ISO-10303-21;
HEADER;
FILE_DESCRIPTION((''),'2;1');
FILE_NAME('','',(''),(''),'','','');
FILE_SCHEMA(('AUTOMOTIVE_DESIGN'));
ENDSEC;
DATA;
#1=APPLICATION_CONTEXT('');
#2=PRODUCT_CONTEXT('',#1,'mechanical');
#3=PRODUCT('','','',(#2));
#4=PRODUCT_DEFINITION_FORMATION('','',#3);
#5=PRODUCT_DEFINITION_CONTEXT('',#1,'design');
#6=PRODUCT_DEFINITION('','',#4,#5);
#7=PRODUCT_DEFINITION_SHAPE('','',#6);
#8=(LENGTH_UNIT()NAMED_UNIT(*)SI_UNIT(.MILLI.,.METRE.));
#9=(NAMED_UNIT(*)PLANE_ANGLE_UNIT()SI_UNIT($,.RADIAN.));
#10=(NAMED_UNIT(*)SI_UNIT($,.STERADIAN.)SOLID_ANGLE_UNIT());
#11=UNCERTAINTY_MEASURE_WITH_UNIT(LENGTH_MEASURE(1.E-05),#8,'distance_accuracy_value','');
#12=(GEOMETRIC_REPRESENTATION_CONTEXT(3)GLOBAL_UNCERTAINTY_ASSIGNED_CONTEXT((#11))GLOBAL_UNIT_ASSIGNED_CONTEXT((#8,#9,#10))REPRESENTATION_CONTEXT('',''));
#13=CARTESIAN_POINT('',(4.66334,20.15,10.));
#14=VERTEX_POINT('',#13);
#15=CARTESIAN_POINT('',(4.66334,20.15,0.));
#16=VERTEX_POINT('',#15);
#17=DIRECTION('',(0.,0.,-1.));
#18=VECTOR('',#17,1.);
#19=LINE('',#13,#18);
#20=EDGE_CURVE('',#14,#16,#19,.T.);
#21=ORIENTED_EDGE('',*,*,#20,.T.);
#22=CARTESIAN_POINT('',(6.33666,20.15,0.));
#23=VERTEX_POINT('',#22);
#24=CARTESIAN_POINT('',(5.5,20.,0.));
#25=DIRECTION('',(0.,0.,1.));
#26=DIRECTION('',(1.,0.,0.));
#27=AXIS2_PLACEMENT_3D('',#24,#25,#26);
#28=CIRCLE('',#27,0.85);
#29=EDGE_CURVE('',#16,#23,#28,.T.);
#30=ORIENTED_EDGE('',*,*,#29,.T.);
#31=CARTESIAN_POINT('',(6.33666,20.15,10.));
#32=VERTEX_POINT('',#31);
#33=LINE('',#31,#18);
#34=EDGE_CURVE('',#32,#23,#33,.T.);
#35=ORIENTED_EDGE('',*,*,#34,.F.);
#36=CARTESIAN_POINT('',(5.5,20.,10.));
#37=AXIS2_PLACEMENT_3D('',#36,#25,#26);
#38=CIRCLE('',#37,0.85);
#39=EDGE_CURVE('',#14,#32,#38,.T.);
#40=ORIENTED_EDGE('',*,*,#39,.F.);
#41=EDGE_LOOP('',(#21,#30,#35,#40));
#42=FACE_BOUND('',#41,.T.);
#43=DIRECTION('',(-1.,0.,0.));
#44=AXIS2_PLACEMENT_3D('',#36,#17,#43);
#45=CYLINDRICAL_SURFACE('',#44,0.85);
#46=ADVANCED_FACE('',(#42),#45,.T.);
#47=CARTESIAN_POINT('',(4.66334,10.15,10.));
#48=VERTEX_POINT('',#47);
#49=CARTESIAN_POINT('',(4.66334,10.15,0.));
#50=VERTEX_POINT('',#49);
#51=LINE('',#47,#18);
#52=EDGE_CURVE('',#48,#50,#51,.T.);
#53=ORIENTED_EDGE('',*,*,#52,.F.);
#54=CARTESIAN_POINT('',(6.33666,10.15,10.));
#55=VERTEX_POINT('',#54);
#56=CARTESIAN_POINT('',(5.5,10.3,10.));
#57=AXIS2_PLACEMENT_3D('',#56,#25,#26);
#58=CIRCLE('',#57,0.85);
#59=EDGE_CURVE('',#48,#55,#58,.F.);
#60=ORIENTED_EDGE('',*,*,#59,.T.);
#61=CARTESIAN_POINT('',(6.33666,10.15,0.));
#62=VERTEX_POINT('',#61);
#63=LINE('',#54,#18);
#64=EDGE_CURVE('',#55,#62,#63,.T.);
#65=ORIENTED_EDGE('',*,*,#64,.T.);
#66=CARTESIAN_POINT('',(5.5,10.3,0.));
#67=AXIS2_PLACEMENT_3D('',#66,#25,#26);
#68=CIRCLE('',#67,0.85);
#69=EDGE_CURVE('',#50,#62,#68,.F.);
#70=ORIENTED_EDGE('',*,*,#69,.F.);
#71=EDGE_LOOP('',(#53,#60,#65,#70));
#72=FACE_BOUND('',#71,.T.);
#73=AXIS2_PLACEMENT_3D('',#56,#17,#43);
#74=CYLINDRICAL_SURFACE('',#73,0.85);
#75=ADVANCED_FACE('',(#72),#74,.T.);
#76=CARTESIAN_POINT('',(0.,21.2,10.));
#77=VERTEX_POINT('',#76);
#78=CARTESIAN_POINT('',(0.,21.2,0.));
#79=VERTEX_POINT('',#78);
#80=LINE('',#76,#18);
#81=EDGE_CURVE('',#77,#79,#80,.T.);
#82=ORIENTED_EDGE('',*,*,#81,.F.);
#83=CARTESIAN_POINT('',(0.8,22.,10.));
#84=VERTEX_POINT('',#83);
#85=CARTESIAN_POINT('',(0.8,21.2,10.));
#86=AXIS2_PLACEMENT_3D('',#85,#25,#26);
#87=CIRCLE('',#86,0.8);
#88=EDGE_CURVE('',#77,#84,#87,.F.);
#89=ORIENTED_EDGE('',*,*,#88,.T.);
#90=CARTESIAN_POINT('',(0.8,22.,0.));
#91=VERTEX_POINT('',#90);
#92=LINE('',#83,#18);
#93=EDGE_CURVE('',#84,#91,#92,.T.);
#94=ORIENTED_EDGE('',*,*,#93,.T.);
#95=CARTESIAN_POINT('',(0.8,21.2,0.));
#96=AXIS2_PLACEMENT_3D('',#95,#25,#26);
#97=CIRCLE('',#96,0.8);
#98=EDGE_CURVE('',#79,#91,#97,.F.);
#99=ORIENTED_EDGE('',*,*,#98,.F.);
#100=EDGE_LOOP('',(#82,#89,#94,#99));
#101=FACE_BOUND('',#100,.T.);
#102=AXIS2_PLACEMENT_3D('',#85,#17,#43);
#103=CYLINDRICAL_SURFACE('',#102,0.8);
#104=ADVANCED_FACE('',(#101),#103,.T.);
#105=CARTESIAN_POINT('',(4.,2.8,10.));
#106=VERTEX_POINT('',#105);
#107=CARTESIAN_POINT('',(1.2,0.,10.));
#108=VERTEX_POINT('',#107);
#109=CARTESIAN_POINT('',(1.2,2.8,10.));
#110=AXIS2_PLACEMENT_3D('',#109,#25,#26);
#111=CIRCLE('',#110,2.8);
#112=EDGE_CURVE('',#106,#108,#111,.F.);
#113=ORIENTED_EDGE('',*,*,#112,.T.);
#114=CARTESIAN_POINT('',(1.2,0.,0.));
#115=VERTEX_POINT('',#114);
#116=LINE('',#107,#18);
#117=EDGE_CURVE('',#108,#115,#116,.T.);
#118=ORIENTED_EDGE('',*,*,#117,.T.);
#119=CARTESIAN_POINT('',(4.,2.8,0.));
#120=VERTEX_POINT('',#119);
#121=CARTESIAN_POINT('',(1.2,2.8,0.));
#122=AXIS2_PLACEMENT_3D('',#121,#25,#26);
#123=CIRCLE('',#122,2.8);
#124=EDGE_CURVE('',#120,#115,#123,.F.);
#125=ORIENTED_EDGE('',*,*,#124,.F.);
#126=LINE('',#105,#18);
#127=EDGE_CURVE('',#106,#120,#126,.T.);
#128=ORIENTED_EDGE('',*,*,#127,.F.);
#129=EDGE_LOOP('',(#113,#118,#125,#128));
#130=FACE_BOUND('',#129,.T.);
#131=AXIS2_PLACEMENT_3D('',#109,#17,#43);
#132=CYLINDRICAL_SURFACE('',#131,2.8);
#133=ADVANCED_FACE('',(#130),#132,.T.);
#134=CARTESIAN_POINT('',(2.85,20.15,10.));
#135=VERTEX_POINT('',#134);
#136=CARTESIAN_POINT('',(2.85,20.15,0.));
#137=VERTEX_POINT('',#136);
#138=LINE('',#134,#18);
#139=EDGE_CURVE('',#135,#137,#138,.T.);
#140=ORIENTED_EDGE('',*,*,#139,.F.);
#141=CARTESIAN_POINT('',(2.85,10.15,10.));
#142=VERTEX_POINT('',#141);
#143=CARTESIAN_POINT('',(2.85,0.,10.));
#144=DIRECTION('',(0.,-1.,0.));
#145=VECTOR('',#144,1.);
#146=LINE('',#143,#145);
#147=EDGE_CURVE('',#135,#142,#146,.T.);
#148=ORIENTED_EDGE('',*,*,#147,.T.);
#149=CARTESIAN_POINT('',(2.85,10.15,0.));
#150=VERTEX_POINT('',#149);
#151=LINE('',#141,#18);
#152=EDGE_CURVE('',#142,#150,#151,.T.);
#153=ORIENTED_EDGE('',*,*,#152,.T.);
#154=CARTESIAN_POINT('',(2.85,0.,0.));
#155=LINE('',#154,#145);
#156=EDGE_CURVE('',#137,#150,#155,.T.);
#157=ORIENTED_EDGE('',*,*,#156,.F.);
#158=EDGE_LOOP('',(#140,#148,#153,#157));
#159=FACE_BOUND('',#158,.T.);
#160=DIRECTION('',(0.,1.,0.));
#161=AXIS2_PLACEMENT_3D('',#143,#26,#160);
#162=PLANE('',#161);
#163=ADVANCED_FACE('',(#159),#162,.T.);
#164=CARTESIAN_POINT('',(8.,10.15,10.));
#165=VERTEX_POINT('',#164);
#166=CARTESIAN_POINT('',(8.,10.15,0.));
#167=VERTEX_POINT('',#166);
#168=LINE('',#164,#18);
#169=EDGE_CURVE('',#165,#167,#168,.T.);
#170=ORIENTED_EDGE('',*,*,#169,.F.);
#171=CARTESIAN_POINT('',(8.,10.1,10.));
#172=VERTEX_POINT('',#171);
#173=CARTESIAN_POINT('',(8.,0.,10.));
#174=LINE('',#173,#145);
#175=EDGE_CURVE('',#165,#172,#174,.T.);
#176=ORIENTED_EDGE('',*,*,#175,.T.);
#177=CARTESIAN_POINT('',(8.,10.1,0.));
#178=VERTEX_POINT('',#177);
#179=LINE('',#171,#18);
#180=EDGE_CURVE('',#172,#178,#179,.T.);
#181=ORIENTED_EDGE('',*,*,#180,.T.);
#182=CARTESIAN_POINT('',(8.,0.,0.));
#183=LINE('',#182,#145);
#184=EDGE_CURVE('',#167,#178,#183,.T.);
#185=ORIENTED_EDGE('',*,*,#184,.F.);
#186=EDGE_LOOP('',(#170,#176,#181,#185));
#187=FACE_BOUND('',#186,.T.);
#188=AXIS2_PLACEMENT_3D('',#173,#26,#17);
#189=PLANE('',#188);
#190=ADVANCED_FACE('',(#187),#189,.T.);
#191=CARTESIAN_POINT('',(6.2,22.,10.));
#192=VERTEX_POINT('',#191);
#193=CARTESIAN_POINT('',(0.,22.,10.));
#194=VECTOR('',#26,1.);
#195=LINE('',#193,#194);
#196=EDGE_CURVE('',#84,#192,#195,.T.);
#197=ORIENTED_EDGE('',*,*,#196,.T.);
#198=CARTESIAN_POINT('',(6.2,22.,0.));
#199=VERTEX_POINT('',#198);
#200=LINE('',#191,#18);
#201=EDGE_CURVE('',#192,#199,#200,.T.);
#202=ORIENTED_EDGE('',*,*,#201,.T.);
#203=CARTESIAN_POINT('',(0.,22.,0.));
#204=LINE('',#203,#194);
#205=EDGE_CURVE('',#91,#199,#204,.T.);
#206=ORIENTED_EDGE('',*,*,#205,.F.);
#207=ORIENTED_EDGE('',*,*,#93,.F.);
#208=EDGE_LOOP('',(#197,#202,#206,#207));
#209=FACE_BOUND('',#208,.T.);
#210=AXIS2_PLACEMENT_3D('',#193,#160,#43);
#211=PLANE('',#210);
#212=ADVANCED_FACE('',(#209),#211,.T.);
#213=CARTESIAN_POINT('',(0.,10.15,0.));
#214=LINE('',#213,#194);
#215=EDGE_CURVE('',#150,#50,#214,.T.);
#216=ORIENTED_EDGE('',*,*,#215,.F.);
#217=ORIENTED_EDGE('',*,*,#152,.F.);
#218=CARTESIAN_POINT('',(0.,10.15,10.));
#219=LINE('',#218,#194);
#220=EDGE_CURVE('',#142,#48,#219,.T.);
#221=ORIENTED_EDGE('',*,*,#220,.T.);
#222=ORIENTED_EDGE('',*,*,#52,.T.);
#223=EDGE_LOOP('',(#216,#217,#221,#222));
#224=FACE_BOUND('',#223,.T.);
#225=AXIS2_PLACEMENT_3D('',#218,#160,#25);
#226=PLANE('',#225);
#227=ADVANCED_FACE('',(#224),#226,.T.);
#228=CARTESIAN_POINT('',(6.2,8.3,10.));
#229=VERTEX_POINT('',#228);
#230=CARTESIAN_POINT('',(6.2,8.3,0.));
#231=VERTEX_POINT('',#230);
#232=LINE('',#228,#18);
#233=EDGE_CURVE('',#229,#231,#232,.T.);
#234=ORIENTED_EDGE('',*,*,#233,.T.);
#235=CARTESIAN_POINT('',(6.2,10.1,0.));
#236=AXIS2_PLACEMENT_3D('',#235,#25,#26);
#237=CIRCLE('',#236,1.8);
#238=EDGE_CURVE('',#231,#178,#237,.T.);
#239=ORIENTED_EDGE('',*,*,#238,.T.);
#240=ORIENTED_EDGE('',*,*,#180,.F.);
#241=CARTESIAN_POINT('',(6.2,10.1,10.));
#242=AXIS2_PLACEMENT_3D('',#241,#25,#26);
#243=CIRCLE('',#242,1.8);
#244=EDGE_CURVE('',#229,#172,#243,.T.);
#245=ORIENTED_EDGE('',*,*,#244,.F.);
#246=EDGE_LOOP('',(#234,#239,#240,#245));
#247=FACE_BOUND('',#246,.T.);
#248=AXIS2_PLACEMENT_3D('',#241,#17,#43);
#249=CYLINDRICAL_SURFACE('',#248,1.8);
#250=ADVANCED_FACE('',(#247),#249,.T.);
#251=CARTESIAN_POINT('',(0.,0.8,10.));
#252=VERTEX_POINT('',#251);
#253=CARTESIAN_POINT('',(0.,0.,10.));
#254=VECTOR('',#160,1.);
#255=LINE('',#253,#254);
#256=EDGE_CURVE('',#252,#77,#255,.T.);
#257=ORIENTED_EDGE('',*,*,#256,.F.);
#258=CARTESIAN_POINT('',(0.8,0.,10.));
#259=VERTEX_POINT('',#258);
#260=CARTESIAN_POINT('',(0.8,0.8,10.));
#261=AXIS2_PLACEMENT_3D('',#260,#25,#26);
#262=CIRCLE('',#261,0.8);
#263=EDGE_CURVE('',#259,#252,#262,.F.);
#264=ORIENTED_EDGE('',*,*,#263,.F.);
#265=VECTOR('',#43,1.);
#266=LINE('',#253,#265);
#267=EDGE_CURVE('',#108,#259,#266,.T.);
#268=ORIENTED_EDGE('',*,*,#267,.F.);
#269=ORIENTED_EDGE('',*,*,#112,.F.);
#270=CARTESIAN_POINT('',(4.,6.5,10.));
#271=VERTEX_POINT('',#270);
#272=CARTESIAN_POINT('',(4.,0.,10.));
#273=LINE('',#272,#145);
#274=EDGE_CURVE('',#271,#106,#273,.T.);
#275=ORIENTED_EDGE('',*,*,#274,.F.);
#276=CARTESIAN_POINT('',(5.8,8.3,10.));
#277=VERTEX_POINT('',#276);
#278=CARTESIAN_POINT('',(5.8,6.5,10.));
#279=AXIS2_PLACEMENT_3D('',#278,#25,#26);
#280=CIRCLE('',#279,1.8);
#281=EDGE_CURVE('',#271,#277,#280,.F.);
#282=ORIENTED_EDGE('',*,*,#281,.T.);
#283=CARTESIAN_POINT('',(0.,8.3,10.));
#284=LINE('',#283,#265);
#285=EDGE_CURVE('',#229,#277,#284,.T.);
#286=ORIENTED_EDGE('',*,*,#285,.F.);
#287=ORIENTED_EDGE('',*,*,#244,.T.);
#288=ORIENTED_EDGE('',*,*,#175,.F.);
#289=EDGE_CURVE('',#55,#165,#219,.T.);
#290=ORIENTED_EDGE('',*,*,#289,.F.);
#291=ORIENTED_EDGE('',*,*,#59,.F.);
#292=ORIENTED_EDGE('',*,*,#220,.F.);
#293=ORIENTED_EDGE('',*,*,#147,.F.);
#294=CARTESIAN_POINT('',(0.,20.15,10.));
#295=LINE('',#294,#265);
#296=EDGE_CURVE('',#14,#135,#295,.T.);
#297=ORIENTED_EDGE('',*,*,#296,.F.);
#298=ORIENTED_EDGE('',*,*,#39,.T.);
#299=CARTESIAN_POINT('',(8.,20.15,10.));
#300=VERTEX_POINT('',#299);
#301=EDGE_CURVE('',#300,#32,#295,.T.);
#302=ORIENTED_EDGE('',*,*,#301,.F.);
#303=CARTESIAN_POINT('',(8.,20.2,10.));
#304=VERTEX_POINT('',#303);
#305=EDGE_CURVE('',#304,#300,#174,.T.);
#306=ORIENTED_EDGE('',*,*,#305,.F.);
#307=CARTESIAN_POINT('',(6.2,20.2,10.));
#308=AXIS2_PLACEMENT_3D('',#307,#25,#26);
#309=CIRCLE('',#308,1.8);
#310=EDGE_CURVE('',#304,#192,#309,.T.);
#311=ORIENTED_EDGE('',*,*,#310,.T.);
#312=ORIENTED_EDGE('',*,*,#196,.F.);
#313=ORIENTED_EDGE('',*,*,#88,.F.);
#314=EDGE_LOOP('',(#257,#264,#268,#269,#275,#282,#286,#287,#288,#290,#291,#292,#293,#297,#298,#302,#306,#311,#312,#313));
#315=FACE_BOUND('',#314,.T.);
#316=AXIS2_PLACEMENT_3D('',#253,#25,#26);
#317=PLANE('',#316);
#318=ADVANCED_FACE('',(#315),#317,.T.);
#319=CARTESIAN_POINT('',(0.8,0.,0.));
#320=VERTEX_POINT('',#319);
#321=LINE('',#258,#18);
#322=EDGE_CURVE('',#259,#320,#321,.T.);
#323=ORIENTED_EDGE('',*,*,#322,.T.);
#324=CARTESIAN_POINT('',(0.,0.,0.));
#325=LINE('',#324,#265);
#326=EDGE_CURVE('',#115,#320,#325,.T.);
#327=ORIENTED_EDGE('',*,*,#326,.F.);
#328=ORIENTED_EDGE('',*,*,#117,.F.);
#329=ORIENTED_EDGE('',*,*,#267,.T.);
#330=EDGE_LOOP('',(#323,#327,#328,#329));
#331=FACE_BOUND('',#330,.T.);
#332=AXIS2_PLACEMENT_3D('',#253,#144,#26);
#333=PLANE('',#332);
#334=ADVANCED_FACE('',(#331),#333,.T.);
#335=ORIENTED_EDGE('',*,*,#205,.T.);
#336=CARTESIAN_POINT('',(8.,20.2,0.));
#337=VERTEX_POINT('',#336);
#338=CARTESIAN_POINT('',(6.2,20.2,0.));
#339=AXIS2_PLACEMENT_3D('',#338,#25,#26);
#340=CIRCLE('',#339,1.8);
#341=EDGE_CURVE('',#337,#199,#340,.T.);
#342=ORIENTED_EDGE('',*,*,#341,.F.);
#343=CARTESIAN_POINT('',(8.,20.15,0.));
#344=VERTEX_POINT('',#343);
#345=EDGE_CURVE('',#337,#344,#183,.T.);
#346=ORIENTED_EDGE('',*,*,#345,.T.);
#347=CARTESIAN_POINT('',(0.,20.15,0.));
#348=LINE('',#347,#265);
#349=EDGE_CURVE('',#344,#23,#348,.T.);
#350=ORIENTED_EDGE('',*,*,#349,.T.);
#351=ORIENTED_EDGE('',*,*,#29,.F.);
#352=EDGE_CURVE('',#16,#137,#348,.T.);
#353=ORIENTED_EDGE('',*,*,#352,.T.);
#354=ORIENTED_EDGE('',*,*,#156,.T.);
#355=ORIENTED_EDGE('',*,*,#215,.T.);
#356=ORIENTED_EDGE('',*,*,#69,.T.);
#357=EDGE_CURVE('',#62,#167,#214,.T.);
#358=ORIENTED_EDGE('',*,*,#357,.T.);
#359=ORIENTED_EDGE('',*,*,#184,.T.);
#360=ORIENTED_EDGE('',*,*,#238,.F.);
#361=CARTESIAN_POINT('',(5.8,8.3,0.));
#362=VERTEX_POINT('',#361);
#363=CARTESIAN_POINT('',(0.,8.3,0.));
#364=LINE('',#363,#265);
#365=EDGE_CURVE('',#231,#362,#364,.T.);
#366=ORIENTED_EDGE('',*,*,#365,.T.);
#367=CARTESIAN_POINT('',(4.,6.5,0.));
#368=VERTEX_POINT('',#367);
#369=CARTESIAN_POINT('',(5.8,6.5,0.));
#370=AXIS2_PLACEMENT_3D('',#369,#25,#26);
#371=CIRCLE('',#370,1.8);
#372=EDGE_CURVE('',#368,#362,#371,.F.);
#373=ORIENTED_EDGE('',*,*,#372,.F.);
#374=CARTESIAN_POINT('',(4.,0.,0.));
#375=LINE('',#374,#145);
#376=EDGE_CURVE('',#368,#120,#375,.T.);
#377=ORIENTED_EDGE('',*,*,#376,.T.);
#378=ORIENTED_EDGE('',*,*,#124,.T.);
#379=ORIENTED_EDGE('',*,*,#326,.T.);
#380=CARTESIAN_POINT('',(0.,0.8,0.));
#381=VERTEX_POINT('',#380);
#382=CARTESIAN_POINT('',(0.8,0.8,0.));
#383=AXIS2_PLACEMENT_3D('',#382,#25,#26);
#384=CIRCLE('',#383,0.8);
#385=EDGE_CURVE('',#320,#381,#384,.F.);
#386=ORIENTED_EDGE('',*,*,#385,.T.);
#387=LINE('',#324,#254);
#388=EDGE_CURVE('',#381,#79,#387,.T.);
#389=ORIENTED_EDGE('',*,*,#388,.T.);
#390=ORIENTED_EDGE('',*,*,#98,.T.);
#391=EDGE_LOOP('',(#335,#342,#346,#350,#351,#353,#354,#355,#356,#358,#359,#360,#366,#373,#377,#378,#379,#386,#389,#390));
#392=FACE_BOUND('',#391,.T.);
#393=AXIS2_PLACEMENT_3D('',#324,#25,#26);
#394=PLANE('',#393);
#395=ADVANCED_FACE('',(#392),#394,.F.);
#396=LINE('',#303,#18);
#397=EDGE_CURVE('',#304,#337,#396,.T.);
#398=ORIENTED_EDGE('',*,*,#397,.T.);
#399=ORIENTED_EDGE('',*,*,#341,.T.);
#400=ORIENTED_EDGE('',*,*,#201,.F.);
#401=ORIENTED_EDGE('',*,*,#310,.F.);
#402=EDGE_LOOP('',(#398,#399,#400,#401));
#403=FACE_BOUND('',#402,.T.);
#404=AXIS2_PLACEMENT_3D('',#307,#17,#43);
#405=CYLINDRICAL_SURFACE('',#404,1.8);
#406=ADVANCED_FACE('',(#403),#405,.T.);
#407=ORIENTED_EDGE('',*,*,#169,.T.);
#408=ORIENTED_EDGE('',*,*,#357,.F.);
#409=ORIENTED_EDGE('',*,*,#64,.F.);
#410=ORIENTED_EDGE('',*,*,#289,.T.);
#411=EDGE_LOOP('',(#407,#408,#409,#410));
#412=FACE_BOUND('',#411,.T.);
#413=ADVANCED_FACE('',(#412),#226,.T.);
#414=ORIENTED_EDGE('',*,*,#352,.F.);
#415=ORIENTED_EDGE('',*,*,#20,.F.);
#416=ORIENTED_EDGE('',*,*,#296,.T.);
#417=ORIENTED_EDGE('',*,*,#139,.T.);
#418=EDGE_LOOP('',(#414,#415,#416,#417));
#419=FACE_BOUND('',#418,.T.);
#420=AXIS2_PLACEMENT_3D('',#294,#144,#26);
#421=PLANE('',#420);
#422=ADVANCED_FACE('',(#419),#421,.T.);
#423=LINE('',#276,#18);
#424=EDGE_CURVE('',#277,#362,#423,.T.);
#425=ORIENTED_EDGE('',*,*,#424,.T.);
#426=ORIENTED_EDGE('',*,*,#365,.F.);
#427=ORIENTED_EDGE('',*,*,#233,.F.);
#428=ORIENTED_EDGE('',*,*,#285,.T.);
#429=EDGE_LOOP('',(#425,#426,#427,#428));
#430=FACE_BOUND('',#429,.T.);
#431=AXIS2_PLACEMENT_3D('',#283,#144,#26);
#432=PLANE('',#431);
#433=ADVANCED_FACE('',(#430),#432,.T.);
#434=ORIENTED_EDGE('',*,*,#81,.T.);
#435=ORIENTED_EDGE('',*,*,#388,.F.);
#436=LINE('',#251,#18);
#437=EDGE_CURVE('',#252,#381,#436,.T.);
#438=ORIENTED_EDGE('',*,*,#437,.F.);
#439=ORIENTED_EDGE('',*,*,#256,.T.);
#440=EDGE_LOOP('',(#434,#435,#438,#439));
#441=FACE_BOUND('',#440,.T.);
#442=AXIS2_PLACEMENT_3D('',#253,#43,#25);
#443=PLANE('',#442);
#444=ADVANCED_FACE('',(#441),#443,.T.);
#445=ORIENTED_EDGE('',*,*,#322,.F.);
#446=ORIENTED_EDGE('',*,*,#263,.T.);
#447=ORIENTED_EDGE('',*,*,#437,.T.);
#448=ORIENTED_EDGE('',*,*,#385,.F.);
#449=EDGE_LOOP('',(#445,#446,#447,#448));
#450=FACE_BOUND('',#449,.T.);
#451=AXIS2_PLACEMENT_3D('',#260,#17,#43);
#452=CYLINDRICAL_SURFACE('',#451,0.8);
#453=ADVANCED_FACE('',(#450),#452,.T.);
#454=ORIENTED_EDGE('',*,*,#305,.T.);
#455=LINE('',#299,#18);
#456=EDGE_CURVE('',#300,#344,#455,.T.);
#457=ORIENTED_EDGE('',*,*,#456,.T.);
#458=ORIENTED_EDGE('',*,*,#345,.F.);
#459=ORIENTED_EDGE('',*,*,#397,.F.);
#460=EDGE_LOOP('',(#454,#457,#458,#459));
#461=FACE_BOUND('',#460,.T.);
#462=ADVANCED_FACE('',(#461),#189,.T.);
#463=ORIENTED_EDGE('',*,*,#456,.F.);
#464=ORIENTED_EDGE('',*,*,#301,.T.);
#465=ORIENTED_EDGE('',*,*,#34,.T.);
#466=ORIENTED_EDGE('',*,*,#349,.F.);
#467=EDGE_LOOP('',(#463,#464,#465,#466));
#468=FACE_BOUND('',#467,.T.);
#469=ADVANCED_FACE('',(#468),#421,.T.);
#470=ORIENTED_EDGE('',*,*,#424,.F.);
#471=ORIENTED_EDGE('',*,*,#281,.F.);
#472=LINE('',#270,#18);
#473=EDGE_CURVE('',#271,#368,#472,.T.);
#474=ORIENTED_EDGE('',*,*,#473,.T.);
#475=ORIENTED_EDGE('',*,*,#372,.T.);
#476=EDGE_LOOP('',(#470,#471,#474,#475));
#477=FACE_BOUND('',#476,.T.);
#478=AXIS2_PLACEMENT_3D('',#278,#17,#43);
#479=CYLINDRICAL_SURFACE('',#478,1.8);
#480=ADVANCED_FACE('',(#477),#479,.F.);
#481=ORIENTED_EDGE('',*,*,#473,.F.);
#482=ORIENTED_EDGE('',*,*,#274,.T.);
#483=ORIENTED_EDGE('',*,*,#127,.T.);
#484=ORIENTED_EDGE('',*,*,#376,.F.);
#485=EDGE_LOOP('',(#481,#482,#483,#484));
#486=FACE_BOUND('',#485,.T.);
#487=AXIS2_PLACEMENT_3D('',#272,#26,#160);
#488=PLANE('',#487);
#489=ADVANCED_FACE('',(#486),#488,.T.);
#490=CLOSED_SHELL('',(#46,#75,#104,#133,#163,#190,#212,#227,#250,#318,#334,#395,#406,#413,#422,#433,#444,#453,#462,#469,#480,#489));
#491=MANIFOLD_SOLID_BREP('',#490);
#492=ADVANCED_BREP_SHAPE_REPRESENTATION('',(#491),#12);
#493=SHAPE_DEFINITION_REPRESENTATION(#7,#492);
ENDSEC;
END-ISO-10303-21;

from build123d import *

# Parameters (mm, degrees)
BOSS_EXTRUDE1_DEPTH = 10


with BuildPart() as part:
    # Sketch4 → Boss-Extrude1 (new body)
    with BuildSketch(Plane.XY):
        with BuildLine():
            ThreePointArc((0.8, 0), (0.234314575, 0.234314575), (0, 0.8))
            Line((0, 0.8), (0, 21.2))
            ThreePointArc((0, 21.2), (0.234314575, 21.765685425), (0.8, 22))
            Line((0.8, 22), (6.2, 22))
            ThreePointArc((6.2, 22), (7.472792206, 21.472792206), (8, 20.2))
            Line((8, 20.2), (8, 20.15))
            Line((8, 20.15), (2.85, 20.15))
            Line((2.85, 20.15), (2.85, 10.15))
            Line((2.85, 10.15), (8, 10.15))
            Line((8, 10.15), (8, 10.1))
            ThreePointArc((8, 10.1), (7.472792206, 8.827207794), (6.2, 8.3))
            Line((6.2, 8.3), (5.8, 8.3))
            ThreePointArc((5.8, 8.3), (4.527207794, 7.772792206), (4, 6.5))
            Line((4, 6.5), (4, 2.8))
            ThreePointArc((4, 2.8), (3.179898987, 0.820101013), (1.2, 0))
            Line((1.2, 0), (0.8, 0))
        make_face()
        with BuildLine():
            ThreePointArc((4.663339973, 20.15), (5.5, 19.15), (6.336660027, 20.15))
            Line((6.336660027, 20.15), (4.663339973, 20.15))
        make_face()
        with BuildLine():
            Line((4.663339973, 10.15), (6.336660027, 10.15))
            ThreePointArc((6.336660027, 10.15), (5.5, 11.15), (4.663339973, 10.15))
        make_face()
    extrude(amount=BOSS_EXTRUDE1_DEPTH)


solid = part.part
